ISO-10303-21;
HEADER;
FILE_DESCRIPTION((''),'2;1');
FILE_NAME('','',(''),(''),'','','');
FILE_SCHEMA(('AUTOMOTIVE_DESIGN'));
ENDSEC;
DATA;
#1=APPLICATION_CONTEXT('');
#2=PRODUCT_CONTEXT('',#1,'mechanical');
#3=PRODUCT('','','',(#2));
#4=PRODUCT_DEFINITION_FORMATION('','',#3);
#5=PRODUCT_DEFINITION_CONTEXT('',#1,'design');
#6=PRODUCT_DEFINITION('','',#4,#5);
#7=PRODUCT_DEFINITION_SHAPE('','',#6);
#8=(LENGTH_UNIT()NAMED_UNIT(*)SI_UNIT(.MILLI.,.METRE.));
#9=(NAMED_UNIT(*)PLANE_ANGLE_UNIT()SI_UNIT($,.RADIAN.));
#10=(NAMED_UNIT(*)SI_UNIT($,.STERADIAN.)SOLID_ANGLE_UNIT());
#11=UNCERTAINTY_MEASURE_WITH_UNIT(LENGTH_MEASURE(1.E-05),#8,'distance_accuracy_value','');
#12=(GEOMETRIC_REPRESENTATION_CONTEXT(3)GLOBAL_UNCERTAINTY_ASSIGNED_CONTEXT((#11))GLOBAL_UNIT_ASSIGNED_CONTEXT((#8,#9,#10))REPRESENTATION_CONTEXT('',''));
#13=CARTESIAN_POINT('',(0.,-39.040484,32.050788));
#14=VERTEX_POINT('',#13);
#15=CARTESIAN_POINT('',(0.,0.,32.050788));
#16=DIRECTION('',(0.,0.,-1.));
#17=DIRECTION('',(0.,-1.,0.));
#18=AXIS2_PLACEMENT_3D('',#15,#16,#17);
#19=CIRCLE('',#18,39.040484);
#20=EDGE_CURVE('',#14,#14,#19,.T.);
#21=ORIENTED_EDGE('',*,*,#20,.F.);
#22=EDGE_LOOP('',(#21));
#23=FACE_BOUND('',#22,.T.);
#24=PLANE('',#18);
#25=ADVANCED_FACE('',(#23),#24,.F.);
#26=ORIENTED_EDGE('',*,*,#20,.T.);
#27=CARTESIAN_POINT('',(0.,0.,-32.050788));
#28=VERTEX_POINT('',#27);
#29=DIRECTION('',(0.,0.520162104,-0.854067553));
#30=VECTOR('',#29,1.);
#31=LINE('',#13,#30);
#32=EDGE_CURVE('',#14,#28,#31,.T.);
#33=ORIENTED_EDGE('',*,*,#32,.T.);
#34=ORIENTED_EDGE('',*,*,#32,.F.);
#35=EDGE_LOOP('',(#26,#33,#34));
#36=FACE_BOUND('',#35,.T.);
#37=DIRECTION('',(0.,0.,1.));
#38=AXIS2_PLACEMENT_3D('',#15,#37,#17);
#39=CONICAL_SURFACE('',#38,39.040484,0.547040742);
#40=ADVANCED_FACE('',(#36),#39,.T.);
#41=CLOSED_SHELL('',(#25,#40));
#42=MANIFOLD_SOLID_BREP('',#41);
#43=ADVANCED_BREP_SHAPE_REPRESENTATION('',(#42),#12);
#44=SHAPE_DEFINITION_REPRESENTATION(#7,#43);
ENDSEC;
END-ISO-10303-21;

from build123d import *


with BuildPart() as f1:
    # F0 (on Right) → F1 (revolve)
    with BuildSketch(Plane.YZ):
        Polygon((0, -32.050788), (0, 32.050788), (-39.040484, 32.050788), align=None)
    revolve(axis=Axis((0, 0, 0), (0, 0, -1)))


solid = f1.part
